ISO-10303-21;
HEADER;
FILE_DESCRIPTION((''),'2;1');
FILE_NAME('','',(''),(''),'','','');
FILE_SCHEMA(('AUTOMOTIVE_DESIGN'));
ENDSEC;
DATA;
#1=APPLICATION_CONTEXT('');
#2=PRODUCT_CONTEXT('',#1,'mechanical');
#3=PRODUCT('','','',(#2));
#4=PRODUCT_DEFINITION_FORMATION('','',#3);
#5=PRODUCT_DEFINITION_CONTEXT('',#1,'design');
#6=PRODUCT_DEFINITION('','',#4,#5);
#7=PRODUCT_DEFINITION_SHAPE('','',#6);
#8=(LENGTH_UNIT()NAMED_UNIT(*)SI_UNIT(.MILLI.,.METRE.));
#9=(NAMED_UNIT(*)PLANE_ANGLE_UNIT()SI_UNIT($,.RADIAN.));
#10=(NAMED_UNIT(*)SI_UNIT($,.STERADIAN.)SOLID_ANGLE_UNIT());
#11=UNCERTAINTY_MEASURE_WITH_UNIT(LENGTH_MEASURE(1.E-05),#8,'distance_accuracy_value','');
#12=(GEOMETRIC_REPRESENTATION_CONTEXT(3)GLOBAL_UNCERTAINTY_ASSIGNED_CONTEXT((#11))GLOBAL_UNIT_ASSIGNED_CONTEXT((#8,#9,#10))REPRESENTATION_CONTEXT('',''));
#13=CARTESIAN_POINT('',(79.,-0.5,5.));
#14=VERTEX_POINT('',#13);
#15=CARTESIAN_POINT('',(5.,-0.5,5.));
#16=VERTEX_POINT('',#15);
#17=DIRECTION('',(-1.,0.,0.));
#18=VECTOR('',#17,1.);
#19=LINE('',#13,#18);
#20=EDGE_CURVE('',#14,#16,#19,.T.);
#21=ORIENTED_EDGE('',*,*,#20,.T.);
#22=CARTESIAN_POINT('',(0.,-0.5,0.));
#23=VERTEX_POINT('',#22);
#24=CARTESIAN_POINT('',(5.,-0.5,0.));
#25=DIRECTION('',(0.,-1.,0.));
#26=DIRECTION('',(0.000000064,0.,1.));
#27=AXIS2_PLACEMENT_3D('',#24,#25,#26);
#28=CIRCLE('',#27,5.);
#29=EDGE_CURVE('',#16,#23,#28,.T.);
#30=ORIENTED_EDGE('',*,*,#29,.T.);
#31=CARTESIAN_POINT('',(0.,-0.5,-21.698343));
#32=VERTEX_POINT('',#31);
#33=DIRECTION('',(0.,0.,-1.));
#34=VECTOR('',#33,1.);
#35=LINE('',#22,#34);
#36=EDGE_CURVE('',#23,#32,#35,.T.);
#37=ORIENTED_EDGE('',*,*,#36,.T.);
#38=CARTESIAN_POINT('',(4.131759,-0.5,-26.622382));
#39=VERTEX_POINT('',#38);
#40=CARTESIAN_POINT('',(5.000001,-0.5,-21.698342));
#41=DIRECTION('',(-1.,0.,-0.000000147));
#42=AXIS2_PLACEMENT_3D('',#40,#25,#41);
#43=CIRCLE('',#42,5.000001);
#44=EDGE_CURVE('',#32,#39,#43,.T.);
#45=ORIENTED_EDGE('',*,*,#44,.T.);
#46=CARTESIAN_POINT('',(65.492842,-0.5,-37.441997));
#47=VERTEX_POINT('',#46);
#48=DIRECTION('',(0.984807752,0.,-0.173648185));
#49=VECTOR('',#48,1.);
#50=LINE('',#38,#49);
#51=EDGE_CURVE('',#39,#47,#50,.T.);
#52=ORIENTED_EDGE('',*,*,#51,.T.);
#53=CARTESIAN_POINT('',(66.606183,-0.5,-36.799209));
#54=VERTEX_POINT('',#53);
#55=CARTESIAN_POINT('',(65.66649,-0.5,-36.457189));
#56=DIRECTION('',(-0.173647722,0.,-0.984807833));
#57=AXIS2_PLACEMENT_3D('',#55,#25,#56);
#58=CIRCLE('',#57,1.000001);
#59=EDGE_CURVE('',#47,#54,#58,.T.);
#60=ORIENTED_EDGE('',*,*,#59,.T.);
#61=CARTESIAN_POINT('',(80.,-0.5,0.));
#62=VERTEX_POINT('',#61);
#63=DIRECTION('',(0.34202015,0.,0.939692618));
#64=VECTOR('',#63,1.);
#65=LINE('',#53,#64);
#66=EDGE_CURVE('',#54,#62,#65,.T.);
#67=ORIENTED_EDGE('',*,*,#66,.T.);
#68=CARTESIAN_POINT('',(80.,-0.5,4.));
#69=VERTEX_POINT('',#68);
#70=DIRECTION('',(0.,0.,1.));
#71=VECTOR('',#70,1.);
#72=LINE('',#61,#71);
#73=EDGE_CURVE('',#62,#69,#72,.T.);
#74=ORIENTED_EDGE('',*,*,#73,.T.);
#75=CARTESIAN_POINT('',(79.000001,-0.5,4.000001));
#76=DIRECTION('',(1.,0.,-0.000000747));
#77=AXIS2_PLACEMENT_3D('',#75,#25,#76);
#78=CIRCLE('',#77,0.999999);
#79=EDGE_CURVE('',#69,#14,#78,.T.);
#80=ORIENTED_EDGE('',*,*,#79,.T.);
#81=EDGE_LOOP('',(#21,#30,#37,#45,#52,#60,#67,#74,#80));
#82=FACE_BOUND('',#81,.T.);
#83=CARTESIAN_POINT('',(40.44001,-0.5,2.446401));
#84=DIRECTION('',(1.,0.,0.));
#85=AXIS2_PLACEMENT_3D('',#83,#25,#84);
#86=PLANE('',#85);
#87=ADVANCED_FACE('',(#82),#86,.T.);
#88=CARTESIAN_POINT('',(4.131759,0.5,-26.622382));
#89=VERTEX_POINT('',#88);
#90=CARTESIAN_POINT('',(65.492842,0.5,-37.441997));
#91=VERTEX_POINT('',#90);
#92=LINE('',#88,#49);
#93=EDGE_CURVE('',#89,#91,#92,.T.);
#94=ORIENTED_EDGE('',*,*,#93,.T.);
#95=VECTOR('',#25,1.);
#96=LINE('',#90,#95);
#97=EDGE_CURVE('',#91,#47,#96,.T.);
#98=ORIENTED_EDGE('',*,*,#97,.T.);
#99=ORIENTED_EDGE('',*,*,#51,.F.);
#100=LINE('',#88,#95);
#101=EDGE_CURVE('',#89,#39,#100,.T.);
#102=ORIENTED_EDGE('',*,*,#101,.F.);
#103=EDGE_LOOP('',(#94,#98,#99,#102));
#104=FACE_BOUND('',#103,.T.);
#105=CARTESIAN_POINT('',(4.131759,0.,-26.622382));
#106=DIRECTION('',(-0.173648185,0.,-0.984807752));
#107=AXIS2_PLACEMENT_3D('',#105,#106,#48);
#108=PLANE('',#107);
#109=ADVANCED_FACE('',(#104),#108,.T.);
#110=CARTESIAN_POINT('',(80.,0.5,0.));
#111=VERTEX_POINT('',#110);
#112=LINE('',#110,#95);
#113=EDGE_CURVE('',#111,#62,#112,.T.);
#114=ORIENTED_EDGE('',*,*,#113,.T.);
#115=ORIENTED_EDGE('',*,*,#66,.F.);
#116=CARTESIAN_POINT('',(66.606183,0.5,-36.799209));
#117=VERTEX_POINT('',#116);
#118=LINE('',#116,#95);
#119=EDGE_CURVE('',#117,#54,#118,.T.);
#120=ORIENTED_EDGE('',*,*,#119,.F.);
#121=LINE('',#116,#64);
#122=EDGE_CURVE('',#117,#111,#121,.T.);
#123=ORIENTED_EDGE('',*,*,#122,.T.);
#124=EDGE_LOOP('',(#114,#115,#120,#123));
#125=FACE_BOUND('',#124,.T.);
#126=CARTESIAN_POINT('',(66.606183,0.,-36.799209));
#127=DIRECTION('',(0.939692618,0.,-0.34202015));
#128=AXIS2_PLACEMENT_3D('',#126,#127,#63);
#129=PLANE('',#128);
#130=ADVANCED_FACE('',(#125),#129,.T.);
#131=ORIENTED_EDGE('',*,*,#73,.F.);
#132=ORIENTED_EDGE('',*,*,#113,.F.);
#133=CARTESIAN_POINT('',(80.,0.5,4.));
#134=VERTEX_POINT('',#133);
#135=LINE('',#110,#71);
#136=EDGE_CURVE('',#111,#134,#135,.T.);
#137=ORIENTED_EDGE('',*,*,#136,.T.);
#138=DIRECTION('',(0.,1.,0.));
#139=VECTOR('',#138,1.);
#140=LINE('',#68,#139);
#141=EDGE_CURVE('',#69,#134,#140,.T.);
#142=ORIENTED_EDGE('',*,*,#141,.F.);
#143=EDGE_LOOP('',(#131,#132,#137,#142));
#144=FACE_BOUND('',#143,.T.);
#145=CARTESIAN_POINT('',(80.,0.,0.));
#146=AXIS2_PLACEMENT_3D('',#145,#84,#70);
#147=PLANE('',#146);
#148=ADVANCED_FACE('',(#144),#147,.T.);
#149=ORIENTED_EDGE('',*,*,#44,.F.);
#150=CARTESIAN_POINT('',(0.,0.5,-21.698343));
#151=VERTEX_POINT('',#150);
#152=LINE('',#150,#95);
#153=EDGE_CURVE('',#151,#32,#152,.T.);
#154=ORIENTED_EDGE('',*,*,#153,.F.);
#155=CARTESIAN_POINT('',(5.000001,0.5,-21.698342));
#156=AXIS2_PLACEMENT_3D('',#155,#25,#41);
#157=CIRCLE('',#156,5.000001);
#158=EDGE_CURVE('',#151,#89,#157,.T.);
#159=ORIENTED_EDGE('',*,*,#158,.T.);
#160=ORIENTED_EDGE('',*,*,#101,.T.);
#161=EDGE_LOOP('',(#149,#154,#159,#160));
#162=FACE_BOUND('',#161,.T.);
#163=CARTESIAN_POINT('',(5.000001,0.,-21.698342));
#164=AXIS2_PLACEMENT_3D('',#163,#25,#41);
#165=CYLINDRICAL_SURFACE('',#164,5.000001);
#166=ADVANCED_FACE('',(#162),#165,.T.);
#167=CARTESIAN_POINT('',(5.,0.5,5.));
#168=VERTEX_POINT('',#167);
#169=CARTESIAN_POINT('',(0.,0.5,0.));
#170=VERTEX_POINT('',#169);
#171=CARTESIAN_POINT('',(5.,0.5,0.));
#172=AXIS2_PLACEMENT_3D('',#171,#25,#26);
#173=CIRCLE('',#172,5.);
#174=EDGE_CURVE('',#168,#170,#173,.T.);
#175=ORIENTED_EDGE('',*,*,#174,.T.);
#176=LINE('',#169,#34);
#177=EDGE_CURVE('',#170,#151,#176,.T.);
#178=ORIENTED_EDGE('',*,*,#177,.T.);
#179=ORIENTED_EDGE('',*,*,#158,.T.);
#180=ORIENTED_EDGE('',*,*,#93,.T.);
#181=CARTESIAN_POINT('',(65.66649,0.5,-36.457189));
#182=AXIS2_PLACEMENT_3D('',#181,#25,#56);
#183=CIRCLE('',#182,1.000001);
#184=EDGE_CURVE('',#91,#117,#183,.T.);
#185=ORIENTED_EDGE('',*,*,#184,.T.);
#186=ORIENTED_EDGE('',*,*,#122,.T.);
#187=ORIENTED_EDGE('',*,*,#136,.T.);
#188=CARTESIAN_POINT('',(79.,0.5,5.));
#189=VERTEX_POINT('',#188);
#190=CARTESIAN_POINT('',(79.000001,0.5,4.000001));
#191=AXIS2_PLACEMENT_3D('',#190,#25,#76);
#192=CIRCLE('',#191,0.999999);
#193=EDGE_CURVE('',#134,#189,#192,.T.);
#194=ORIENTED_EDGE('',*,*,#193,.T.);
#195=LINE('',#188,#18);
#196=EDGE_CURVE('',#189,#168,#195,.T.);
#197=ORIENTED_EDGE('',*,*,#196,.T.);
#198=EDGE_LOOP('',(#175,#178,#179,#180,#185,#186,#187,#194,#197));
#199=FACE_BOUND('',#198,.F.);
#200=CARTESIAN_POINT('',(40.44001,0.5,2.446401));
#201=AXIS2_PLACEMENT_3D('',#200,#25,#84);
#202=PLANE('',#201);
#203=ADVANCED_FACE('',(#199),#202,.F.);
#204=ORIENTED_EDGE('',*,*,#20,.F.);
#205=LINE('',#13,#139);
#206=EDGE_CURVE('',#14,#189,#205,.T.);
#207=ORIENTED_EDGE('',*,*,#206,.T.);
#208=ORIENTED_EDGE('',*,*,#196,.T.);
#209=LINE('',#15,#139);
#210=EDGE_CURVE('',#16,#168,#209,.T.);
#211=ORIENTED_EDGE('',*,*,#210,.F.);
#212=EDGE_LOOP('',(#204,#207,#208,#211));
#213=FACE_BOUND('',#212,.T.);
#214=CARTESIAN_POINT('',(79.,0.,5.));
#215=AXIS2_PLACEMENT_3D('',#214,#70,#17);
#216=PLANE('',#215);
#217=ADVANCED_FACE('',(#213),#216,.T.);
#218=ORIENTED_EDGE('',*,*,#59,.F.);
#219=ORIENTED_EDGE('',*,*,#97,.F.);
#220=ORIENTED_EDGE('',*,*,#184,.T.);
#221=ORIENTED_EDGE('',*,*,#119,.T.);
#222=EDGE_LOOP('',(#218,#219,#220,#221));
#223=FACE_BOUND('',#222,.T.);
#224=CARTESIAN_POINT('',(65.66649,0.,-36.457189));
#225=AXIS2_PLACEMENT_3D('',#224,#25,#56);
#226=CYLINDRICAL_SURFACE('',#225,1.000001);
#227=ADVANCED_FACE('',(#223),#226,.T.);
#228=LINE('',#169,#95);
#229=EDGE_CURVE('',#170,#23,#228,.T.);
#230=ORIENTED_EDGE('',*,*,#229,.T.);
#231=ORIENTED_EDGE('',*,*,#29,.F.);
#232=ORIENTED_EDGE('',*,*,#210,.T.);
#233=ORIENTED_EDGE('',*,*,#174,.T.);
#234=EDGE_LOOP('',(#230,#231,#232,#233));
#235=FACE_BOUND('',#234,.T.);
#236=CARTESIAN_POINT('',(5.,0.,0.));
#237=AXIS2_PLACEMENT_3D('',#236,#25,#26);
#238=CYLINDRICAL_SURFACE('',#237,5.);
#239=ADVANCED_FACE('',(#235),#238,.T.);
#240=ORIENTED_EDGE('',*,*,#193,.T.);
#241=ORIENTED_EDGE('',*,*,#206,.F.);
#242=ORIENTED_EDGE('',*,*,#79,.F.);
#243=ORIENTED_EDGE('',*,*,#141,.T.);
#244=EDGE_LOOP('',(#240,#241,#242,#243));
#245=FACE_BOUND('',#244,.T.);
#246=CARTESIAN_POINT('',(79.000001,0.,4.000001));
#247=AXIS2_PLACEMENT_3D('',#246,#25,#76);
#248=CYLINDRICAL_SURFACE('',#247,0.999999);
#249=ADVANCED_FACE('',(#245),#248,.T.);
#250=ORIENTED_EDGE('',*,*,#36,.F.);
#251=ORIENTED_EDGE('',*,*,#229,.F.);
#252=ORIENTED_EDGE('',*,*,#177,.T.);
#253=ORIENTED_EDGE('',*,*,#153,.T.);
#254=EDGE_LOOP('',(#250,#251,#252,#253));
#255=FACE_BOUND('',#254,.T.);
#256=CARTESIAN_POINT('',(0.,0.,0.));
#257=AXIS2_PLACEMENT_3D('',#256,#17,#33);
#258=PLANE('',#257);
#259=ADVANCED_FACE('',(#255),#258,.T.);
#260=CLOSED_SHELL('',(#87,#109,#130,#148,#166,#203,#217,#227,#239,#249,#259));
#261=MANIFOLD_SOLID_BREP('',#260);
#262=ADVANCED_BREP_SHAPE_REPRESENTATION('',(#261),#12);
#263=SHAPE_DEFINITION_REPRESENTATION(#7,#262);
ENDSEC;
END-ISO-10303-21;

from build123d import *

# Parameters (mm, degrees)
F1_DEPTH = 0.5


with BuildPart() as f1:
    # F0 (on Front) → F1 (new body, symmetric)
    with BuildSketch(Plane.XZ):
        with BuildLine():
            ThreePointArc((5, 5), (1.464466, 3.535534), (0, 0))
            Line((0, 0), (80, 0))
            Line((80, 0), (80, 4))
            ThreePointArc((80, 4), (79.707107, 4.707107), (79, 5))
            Line((79, 5), (5, 5))
        make_face()
        with BuildLine():
            Line((80, 0), (0, 0))
            Line((0, 0), (0, -21.698343))
            ThreePointArc((0, -21.698343), (1.169778, -24.912281), (4.131759, -26.622382))
            Line((4.131759, -26.622382), (65.492842, -37.441997))
            ThreePointArc((65.492842, -37.441997), (66.166491, -37.323214), (66.606183, -36.799209))
            Line((66.606183, -36.799209), (80, 0))
        make_face()
    extrude(amount=F1_DEPTH, both=True)


solid = f1.part
